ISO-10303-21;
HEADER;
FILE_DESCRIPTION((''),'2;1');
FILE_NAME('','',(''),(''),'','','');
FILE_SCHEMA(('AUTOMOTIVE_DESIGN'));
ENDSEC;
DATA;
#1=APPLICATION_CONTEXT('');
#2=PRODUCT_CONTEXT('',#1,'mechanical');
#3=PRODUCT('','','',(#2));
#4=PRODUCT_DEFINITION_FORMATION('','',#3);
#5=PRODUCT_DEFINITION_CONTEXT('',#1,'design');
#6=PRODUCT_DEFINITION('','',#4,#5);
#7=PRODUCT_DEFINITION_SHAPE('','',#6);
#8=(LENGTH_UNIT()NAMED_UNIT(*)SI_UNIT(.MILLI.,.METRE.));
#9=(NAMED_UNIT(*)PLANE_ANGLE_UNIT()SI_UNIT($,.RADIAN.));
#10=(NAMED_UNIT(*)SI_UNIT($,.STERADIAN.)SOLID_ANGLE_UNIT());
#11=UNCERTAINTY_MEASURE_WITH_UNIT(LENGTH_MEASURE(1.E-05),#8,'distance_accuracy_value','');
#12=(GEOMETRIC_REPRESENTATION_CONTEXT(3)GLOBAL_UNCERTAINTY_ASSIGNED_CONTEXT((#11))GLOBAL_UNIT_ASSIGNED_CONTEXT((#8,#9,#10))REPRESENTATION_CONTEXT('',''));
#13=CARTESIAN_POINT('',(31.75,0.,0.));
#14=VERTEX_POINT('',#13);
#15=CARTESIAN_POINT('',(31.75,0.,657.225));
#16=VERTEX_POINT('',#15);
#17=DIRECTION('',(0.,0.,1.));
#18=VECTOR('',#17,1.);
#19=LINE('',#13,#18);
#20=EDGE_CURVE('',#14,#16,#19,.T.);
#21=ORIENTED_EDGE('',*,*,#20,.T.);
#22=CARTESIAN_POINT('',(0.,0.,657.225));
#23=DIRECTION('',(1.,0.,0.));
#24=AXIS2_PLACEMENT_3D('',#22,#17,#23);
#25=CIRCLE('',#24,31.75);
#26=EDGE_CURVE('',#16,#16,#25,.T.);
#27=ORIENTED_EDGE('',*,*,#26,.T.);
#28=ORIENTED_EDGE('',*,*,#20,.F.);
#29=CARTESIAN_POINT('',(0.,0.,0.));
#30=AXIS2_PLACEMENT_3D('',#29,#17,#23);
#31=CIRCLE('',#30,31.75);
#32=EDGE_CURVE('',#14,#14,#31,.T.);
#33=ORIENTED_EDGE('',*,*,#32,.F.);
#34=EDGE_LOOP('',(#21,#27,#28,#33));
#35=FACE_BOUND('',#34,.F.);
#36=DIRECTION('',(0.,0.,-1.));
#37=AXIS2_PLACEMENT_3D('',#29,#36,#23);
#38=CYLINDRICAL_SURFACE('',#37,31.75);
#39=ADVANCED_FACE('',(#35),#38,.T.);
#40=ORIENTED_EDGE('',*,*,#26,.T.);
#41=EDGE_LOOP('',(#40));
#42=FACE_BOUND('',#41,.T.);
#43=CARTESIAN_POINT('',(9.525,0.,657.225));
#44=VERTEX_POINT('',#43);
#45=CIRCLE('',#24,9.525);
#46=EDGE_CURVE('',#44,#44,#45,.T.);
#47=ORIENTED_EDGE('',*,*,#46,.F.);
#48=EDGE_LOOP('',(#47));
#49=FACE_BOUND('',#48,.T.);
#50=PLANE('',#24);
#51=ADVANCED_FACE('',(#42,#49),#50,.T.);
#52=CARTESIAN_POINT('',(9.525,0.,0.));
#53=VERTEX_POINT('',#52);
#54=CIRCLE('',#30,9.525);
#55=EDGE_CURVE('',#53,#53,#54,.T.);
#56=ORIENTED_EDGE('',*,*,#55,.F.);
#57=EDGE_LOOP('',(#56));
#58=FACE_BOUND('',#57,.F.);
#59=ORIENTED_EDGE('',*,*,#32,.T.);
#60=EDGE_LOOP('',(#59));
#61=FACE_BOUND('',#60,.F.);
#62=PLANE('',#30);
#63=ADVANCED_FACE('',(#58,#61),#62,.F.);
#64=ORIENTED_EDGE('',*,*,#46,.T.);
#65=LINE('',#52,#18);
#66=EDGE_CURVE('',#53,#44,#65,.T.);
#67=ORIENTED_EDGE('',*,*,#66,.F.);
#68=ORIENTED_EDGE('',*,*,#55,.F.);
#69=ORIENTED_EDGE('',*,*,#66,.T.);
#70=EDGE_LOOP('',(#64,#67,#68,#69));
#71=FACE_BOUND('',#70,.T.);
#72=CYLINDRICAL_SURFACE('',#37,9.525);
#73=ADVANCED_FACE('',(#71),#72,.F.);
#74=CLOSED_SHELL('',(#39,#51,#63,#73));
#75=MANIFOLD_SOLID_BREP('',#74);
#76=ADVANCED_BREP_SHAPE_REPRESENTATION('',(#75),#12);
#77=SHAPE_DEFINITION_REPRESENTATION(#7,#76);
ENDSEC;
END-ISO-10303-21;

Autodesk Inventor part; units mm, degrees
ref_plane "YZ Plane" through (0, 0, 0) normal (1, 0, 0) x (0, 1, 0)
ref_plane "XZ Plane" through (0, 0, 0) normal (0, 1, 0) x (-1, 0, 0)
ref_plane "XY Plane" through (0, 0, 0) normal (0, 0, 1) x (1, 0, 0)
sketch "Sketch1" plane through (0, 0, 0) normal (0, 0, 1) x (1, 0, 0)
  circle A0 centre (0, 0) radius 31.75
  circle A1 centre (0, 0) radius 9.525
  dimension "d0" = 63.5
  dimension "d1" = 19.05
extrude "Extrusion1" add sketch "Sketch1" along normal blind 657.225
properties part number "Pool Noodle Part1 (26x28 robot)"
